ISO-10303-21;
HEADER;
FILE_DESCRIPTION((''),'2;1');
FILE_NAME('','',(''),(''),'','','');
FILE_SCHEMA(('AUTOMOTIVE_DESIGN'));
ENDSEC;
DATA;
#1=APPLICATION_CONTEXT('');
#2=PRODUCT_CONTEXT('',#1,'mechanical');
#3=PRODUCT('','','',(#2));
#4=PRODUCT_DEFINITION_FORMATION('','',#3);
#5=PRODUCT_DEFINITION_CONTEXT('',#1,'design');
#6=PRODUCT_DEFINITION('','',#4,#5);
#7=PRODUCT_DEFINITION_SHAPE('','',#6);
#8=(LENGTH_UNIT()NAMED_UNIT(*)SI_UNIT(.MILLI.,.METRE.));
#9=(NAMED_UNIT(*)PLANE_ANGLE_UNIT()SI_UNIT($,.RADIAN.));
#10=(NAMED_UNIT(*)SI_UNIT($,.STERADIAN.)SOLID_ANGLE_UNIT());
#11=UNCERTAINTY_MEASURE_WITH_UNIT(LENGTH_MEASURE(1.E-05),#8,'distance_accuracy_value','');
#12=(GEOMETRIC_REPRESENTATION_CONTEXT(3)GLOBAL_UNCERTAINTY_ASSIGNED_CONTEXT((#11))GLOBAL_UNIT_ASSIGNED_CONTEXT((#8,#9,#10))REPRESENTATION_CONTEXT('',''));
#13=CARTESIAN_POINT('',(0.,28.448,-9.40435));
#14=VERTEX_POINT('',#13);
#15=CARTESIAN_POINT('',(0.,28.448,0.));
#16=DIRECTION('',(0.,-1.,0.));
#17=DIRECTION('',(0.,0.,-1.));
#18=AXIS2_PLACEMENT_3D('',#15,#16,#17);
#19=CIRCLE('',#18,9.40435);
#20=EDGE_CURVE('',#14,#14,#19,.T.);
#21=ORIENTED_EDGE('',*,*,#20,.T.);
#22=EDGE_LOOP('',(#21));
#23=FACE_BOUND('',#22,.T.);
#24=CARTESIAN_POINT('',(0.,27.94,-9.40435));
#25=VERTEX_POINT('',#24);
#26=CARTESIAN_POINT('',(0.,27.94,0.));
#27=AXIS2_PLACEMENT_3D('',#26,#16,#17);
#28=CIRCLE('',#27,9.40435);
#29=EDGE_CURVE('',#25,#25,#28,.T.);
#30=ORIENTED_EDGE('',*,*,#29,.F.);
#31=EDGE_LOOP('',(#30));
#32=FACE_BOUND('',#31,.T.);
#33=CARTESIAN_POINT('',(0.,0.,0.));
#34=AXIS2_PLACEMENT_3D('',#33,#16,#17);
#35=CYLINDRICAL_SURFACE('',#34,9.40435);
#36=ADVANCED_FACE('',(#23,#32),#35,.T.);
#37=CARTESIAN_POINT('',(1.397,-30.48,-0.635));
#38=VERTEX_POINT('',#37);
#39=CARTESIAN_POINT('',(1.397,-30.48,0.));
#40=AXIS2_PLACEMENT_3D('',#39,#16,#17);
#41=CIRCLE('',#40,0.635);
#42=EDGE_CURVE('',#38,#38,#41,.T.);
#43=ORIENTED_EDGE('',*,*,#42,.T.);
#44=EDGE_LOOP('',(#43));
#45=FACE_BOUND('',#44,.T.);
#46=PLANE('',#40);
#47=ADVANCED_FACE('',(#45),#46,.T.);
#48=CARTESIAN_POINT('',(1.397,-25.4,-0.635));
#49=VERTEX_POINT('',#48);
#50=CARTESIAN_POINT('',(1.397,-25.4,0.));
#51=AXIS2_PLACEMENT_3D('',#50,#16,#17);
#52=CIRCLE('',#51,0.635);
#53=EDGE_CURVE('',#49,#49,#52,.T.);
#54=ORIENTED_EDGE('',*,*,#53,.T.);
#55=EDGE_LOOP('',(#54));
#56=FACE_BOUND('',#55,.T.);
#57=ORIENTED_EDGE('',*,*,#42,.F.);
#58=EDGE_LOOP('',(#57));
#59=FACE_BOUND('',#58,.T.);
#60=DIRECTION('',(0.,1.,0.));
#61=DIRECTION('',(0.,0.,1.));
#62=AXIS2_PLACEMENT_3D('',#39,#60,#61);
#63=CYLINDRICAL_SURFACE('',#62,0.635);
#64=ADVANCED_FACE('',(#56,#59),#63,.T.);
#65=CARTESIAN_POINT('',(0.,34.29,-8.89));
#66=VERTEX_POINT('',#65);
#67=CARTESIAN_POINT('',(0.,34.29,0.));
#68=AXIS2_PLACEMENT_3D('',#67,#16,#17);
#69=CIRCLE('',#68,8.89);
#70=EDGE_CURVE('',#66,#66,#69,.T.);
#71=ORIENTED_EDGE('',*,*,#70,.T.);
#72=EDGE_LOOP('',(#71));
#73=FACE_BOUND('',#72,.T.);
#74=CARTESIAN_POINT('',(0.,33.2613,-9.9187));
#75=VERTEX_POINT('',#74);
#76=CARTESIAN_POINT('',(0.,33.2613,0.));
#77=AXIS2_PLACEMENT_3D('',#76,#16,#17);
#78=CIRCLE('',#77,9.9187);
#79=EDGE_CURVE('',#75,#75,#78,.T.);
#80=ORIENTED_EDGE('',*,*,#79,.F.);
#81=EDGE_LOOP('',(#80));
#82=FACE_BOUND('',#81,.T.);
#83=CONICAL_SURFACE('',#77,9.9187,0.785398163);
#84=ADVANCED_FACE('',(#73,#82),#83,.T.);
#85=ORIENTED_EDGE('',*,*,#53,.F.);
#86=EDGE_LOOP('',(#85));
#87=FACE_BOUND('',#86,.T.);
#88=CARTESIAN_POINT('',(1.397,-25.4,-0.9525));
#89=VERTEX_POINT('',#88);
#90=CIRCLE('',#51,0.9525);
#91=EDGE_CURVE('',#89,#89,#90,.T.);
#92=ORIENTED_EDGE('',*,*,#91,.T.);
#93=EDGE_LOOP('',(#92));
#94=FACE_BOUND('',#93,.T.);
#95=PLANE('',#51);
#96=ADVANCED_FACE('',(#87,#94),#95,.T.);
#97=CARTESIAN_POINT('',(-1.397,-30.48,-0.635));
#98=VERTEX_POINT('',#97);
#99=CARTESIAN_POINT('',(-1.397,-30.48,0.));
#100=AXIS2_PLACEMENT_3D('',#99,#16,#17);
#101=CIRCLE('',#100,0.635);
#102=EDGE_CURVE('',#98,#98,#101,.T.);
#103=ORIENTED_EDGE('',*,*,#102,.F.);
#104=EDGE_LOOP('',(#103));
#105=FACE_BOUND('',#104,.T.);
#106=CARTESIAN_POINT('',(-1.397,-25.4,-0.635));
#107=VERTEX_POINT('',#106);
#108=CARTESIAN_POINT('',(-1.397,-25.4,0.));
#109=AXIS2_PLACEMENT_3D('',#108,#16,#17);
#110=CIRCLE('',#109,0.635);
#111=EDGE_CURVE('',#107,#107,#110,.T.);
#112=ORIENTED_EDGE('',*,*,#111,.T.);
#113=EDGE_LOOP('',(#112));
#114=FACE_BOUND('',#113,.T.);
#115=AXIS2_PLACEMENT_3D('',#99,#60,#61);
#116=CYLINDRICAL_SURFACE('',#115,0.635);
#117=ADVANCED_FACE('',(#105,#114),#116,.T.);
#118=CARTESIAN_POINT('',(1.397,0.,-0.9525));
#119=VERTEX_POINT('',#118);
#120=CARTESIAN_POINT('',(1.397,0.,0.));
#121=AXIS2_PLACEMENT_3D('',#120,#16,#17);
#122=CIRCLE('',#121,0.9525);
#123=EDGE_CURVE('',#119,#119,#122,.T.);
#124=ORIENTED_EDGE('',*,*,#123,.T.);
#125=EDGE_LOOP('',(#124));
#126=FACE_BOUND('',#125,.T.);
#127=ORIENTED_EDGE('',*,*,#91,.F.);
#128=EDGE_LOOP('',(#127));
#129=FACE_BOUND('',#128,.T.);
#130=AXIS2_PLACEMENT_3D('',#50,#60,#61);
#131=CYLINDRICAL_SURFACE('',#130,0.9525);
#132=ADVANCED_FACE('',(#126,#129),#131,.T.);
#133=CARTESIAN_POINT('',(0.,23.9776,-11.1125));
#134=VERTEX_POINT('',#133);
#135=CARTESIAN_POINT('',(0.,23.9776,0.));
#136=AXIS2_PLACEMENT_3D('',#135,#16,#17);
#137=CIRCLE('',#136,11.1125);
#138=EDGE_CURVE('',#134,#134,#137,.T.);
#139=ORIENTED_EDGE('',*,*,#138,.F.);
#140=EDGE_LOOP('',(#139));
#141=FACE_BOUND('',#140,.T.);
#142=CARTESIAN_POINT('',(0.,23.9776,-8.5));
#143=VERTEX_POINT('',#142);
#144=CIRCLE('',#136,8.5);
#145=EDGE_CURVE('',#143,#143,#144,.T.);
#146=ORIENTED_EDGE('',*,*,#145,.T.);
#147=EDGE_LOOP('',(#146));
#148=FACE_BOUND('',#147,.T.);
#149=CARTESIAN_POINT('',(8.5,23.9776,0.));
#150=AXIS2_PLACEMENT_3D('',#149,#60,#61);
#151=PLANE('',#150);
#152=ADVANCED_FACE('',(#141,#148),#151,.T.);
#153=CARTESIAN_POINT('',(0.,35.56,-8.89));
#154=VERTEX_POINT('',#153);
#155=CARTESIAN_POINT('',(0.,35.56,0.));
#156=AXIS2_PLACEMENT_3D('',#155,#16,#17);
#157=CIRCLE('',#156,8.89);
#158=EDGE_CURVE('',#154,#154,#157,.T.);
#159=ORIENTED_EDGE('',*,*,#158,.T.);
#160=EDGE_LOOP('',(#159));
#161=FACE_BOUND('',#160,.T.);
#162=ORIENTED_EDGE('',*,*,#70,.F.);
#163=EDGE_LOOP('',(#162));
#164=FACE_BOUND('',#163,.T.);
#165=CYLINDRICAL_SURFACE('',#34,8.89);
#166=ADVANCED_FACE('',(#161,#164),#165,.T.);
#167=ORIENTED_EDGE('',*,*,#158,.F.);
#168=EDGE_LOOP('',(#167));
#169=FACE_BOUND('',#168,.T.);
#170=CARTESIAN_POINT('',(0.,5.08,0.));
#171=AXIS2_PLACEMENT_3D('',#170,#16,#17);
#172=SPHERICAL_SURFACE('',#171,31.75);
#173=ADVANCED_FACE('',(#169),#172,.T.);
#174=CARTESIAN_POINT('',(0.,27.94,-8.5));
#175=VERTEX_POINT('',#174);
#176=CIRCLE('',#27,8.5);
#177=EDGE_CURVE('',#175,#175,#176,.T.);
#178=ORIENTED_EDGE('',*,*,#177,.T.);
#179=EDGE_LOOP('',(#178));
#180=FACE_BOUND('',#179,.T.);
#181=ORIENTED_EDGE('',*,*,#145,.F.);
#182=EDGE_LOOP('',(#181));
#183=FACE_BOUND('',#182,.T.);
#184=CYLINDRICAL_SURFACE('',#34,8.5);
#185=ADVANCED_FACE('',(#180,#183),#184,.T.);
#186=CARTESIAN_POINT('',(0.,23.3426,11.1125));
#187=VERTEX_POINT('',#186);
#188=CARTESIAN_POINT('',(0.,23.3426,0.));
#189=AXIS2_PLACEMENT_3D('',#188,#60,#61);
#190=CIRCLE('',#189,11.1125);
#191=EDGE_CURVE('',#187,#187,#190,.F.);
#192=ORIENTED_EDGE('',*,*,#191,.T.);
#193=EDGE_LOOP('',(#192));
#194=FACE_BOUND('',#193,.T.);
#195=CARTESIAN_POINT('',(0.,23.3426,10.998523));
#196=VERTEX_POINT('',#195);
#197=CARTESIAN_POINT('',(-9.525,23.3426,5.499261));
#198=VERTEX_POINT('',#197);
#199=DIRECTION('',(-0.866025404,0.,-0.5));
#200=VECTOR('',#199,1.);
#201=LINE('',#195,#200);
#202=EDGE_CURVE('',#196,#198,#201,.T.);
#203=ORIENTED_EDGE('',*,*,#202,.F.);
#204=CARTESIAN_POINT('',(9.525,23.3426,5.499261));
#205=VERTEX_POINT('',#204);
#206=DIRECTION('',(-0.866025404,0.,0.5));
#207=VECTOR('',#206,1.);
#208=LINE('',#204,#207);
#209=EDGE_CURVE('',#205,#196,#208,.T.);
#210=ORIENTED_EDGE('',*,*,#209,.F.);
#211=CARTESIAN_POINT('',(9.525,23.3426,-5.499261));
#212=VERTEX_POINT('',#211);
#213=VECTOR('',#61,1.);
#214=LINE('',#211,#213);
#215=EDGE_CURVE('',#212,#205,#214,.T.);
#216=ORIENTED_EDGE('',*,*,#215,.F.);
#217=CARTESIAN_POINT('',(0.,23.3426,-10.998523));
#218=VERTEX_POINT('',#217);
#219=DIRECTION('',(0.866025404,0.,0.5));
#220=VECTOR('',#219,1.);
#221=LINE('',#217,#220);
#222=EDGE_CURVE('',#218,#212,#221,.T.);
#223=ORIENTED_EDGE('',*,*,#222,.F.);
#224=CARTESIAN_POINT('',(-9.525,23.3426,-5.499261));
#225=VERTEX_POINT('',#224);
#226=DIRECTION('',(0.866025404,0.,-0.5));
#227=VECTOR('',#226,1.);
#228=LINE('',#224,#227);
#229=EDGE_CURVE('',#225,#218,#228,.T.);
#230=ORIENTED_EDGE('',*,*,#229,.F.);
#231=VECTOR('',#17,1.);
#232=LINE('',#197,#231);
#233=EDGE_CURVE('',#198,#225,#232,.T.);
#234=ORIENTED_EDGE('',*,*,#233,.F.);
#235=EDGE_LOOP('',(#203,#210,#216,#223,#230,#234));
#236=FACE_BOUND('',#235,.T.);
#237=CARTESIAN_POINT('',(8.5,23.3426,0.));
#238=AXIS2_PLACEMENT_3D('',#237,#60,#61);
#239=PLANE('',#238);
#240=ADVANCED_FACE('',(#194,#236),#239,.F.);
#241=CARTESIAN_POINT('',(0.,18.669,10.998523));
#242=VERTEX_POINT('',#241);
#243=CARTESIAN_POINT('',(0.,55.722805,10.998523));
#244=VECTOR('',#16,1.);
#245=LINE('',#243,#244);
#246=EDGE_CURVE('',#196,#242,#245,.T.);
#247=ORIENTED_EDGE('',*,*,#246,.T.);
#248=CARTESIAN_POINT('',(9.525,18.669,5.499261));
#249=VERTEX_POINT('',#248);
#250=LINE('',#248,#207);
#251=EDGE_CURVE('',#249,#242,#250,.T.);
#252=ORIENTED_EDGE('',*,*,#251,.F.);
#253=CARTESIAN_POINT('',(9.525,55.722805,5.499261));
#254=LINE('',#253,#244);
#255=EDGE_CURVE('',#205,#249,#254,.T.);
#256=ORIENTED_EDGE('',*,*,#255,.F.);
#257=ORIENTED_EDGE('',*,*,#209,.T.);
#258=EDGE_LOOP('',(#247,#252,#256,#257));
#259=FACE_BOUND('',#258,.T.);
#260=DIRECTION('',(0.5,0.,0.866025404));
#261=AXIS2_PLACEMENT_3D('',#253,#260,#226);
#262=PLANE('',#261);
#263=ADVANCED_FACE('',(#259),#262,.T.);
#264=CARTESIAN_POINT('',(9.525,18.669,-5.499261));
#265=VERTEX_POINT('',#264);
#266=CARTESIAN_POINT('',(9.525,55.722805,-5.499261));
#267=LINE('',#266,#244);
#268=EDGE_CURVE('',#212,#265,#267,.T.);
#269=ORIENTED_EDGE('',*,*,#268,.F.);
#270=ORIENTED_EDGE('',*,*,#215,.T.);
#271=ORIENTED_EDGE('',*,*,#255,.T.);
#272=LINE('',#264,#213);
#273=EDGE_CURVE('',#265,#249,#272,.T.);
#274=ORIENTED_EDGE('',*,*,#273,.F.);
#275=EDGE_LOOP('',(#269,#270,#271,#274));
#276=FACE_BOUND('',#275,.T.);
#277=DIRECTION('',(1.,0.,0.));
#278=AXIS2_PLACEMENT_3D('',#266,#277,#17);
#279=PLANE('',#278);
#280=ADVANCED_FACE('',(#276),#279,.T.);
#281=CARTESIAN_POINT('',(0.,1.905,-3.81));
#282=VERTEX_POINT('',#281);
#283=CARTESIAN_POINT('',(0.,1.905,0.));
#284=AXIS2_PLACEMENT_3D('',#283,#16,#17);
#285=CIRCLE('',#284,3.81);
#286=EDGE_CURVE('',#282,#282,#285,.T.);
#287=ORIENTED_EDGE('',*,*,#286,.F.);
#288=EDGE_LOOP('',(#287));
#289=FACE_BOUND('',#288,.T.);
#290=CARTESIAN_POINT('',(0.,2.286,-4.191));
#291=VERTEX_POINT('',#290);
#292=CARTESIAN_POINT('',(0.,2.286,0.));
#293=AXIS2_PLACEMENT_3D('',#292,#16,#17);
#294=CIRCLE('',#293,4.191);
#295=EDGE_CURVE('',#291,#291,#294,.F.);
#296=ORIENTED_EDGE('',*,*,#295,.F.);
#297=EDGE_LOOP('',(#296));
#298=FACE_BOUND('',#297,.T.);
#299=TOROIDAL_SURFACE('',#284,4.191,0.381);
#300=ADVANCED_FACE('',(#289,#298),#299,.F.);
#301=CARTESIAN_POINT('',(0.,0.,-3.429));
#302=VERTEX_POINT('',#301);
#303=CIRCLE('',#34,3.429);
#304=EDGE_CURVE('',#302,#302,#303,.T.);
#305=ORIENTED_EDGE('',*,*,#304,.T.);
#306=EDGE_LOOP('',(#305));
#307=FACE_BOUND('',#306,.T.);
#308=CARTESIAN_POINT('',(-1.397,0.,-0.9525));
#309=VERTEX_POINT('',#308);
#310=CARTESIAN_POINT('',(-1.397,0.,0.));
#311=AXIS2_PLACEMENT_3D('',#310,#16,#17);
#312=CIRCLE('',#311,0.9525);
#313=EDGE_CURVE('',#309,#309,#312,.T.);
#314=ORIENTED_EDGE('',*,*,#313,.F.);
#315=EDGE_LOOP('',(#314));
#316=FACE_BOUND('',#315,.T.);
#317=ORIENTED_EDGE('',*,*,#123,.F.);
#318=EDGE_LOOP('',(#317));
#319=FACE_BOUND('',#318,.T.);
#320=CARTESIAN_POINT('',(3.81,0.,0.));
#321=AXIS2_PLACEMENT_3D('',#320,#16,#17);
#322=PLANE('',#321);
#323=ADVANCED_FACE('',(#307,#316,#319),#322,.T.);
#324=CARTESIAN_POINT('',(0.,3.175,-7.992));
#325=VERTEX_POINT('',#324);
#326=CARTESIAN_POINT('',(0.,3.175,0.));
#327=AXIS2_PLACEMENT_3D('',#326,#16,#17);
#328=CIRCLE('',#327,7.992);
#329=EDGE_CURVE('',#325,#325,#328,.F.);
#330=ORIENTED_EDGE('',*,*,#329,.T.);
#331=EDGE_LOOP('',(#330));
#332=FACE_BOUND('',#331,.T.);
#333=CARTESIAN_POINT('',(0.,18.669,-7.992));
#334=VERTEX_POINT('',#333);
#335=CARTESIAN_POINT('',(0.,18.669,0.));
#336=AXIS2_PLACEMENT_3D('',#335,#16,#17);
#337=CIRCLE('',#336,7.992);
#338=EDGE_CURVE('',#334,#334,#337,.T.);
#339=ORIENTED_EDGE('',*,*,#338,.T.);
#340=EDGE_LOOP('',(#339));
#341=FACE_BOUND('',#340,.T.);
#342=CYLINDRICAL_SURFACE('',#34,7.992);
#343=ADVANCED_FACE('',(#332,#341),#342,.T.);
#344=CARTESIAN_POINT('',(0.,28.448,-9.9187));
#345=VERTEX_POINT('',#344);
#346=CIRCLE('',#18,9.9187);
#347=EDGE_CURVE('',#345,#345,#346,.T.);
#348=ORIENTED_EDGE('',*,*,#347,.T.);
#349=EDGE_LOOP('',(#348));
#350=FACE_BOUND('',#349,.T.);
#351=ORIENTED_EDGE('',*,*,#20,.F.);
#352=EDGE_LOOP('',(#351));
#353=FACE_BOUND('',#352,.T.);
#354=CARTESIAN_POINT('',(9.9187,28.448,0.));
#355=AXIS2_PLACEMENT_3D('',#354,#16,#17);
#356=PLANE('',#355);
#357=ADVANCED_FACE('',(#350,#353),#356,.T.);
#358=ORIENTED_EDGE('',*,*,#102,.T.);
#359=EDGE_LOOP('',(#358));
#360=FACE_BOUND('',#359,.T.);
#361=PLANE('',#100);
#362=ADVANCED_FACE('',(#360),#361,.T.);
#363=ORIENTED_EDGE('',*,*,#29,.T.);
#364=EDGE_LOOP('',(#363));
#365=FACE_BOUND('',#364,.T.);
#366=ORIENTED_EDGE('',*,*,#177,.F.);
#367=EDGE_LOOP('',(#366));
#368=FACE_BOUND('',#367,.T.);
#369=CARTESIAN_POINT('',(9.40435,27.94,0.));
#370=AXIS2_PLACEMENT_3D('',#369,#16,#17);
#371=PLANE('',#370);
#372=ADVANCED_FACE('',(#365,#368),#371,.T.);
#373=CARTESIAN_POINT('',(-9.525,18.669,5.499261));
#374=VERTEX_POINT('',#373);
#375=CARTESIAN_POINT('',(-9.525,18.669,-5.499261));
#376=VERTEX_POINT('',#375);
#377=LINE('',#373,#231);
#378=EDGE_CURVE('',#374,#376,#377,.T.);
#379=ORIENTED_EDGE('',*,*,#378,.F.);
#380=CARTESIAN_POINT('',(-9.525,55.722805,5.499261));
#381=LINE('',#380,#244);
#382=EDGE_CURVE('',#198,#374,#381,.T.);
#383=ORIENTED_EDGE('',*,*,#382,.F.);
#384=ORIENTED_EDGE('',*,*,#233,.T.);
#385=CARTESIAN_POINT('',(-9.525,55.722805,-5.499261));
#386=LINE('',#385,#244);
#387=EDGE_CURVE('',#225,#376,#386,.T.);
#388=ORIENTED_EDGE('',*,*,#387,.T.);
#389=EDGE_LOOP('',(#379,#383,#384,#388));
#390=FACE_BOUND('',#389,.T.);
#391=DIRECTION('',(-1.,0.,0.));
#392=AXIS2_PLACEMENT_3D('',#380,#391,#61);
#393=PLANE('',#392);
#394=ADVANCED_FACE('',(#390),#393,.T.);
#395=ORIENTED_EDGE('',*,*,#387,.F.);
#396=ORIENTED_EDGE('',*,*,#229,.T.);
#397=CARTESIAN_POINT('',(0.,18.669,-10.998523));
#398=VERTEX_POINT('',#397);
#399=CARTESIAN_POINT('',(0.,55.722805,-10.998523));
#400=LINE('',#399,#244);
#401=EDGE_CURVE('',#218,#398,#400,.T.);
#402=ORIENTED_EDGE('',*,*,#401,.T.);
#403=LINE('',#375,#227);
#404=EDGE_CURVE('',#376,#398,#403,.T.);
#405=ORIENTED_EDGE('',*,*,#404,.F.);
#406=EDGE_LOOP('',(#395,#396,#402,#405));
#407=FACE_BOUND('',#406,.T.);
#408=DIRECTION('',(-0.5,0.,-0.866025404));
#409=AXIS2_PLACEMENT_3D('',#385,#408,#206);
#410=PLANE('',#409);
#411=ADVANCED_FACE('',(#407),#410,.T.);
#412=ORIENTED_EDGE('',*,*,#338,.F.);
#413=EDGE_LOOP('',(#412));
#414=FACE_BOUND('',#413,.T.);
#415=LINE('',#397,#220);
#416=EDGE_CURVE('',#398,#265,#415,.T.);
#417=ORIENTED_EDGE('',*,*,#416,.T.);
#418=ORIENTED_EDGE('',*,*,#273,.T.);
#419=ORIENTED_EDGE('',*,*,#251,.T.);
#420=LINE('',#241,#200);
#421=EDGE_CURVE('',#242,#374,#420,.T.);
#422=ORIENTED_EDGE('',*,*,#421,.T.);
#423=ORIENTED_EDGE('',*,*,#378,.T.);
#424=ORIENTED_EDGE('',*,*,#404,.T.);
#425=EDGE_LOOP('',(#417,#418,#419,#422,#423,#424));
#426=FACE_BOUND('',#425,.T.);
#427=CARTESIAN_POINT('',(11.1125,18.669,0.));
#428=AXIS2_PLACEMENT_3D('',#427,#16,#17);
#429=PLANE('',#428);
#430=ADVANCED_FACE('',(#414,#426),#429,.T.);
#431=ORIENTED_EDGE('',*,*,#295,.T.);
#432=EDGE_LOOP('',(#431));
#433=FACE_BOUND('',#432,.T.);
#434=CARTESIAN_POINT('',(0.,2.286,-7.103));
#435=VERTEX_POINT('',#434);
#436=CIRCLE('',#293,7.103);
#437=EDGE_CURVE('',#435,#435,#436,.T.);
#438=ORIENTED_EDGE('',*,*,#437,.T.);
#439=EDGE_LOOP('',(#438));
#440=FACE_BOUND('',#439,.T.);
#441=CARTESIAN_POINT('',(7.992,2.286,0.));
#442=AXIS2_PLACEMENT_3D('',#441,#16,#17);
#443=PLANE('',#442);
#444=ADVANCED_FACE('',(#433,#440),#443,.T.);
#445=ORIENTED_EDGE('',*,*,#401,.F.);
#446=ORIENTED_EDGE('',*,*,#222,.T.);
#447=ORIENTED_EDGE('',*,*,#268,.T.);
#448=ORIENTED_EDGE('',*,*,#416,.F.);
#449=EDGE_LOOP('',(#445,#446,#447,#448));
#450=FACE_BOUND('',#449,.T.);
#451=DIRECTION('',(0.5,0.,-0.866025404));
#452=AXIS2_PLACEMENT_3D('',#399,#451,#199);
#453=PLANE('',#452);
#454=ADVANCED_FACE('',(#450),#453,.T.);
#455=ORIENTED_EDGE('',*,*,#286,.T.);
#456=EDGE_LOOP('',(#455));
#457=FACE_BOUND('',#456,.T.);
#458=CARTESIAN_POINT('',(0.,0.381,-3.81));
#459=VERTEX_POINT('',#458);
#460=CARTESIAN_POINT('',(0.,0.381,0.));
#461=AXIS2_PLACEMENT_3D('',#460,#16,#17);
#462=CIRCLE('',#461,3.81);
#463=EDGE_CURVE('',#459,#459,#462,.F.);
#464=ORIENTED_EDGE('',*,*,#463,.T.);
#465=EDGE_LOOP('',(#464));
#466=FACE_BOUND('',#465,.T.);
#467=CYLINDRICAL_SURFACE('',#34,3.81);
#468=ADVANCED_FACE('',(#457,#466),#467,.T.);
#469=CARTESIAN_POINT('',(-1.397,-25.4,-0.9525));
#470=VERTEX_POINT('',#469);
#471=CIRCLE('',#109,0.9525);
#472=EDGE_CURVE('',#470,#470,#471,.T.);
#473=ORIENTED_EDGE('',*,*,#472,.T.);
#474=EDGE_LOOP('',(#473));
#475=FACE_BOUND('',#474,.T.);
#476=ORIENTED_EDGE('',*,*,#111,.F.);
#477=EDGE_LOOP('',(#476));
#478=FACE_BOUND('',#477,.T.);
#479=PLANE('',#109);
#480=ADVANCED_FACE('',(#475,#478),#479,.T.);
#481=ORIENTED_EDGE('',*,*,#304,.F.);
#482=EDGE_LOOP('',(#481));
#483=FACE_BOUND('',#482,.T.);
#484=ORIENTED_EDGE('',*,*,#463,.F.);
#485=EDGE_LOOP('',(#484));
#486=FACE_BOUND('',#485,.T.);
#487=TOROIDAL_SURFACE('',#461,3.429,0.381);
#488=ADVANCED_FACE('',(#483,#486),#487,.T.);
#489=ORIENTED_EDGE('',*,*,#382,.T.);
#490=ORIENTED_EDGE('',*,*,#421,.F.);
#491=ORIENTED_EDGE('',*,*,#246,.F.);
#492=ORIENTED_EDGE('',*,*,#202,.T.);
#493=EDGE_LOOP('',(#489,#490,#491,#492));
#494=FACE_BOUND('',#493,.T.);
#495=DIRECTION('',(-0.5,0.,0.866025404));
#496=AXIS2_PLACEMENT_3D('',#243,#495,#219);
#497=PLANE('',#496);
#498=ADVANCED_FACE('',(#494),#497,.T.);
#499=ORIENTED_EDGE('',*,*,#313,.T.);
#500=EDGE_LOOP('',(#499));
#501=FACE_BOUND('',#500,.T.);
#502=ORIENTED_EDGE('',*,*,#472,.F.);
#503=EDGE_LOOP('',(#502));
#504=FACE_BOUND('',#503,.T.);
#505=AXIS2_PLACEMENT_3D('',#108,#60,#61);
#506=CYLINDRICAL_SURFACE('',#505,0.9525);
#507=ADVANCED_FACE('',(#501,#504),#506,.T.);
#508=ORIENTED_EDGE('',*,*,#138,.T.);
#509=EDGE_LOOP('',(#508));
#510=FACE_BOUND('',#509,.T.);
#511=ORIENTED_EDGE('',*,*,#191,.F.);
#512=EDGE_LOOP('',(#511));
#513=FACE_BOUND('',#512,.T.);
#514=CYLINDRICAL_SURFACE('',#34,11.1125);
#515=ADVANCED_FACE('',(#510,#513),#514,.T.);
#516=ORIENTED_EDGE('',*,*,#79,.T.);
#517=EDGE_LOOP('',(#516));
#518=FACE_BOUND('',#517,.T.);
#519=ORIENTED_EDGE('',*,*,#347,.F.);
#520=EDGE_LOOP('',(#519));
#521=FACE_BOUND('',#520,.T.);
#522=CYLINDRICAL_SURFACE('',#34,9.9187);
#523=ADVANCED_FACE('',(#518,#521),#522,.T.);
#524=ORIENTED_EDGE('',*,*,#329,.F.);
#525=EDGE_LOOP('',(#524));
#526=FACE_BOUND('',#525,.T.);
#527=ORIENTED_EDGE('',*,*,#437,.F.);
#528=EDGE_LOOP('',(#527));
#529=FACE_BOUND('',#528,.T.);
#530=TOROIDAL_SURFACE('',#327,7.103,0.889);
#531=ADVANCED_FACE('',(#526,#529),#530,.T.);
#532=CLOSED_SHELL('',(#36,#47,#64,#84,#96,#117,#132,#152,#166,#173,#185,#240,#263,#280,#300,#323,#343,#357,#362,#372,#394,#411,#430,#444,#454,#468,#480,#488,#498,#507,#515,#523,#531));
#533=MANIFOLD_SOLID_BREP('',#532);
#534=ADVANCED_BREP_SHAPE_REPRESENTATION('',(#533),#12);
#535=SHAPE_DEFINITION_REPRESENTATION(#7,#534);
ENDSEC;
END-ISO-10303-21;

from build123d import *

# Parameters (mm, degrees)
DOME1_FACE_RADIUS   = 8.89
DOME1_HEIGHT        = 1.27
SKETCH2_OUTSIDE_W   = 33.908
SKETCH2_OUTSIDE_H   = 33.908
CUT_EXTRUDE1_DEPTH  = 4.6736
SKETCH3_R           = 0.9525
BOSS_EXTRUDE1_DEPTH = 25.4
SKETCH4_R           = 0.635
BOSS_EXTRUDE2_DEPTH = 5.08
FILLET1_R           = 0.889
FILLET2_R           = 0.381


with BuildPart() as part:
    # Sketch1 → Revolve1 (revolve)
    with BuildSketch(Plane.XY):
        Polygon((0, 35.56), (8.89, 35.56), (8.89, 34.29), (9.9187, 33.2613), (9.9187, 28.448), (9.40435, 28.448), (9.40435, 27.94), (8.5, 27.94), (8.5, 23.9776), (11.1125, 23.9776), (11.1125, 18.669), (7.992, 18.669), (7.992, 2.286), (3.81, 2.286), (3.81, 0), (0, 0), align=None)
    revolve(axis=Axis((0, 0, 0), (0, 1, 0)))

    # Dome1: a dome of height H over a round flat face of radius A is a cap of a sphere of radius (A * A + H * H) / (2 * H)
    dome1_r = (DOME1_FACE_RADIUS * DOME1_FACE_RADIUS + DOME1_HEIGHT * DOME1_HEIGHT) / (2 * DOME1_HEIGHT)
    dome1_base = Plane((0, 35.56, 0), z_dir=(0, 1, 0))
    with Locations(dome1_base.offset(DOME1_HEIGHT - dome1_r)):
        dome1_ball = Sphere(dome1_r, mode=Mode.PRIVATE)
    add(split(dome1_ball, bisect_by=dome1_base, keep=Keep.TOP, mode=Mode.PRIVATE))

    # Sketch2 outside → Cut-Extrude1 (cut)
    with BuildSketch(Plane.XZ.offset(-18.669)):
        Rectangle(SKETCH2_OUTSIDE_W, SKETCH2_OUTSIDE_H)
        Polygon((0, 10.998522628), (-9.525, 5.499261314), (-9.525, -5.499261314), (0, -10.998522628), (9.525, -5.499261314), (9.525, 5.499261314), align=None, mode=Mode.SUBTRACT)
    extrude(amount=-CUT_EXTRUDE1_DEPTH, mode=Mode.SUBTRACT)

    # Sketch3 → Boss-Extrude1 (add)
    with BuildSketch(Plane.XZ):
        with Locations((-1.397, 0)):
            Circle(SKETCH3_R)
        with Locations((1.397, 0)):
            Circle(SKETCH3_R)
    extrude(amount=BOSS_EXTRUDE1_DEPTH)

    # Sketch4 → Boss-Extrude2 (add)
    with BuildSketch(Plane.XZ.offset(25.4)):
        with Locations((1.397, 0)):
            Circle(SKETCH4_R)
        with Locations((-1.397, 0)):
            Circle(SKETCH4_R)
    extrude(amount=BOSS_EXTRUDE2_DEPTH)

    # Fillet1
    fillet1_edges = [part.edges().sort_by_distance(p)[0] for p in [
        (-7.992, 2.286, 0),
    ]]
    fillet(fillet1_edges, radius=FILLET1_R)

    # Fillet2
    fillet2_edges = [part.edges().sort_by_distance(p)[0] for p in [
        (-3.81, 0, 0),
        (-3.81, 2.286, 0),
    ]]
    fillet(fillet2_edges, radius=FILLET2_R)


solid = part.part
